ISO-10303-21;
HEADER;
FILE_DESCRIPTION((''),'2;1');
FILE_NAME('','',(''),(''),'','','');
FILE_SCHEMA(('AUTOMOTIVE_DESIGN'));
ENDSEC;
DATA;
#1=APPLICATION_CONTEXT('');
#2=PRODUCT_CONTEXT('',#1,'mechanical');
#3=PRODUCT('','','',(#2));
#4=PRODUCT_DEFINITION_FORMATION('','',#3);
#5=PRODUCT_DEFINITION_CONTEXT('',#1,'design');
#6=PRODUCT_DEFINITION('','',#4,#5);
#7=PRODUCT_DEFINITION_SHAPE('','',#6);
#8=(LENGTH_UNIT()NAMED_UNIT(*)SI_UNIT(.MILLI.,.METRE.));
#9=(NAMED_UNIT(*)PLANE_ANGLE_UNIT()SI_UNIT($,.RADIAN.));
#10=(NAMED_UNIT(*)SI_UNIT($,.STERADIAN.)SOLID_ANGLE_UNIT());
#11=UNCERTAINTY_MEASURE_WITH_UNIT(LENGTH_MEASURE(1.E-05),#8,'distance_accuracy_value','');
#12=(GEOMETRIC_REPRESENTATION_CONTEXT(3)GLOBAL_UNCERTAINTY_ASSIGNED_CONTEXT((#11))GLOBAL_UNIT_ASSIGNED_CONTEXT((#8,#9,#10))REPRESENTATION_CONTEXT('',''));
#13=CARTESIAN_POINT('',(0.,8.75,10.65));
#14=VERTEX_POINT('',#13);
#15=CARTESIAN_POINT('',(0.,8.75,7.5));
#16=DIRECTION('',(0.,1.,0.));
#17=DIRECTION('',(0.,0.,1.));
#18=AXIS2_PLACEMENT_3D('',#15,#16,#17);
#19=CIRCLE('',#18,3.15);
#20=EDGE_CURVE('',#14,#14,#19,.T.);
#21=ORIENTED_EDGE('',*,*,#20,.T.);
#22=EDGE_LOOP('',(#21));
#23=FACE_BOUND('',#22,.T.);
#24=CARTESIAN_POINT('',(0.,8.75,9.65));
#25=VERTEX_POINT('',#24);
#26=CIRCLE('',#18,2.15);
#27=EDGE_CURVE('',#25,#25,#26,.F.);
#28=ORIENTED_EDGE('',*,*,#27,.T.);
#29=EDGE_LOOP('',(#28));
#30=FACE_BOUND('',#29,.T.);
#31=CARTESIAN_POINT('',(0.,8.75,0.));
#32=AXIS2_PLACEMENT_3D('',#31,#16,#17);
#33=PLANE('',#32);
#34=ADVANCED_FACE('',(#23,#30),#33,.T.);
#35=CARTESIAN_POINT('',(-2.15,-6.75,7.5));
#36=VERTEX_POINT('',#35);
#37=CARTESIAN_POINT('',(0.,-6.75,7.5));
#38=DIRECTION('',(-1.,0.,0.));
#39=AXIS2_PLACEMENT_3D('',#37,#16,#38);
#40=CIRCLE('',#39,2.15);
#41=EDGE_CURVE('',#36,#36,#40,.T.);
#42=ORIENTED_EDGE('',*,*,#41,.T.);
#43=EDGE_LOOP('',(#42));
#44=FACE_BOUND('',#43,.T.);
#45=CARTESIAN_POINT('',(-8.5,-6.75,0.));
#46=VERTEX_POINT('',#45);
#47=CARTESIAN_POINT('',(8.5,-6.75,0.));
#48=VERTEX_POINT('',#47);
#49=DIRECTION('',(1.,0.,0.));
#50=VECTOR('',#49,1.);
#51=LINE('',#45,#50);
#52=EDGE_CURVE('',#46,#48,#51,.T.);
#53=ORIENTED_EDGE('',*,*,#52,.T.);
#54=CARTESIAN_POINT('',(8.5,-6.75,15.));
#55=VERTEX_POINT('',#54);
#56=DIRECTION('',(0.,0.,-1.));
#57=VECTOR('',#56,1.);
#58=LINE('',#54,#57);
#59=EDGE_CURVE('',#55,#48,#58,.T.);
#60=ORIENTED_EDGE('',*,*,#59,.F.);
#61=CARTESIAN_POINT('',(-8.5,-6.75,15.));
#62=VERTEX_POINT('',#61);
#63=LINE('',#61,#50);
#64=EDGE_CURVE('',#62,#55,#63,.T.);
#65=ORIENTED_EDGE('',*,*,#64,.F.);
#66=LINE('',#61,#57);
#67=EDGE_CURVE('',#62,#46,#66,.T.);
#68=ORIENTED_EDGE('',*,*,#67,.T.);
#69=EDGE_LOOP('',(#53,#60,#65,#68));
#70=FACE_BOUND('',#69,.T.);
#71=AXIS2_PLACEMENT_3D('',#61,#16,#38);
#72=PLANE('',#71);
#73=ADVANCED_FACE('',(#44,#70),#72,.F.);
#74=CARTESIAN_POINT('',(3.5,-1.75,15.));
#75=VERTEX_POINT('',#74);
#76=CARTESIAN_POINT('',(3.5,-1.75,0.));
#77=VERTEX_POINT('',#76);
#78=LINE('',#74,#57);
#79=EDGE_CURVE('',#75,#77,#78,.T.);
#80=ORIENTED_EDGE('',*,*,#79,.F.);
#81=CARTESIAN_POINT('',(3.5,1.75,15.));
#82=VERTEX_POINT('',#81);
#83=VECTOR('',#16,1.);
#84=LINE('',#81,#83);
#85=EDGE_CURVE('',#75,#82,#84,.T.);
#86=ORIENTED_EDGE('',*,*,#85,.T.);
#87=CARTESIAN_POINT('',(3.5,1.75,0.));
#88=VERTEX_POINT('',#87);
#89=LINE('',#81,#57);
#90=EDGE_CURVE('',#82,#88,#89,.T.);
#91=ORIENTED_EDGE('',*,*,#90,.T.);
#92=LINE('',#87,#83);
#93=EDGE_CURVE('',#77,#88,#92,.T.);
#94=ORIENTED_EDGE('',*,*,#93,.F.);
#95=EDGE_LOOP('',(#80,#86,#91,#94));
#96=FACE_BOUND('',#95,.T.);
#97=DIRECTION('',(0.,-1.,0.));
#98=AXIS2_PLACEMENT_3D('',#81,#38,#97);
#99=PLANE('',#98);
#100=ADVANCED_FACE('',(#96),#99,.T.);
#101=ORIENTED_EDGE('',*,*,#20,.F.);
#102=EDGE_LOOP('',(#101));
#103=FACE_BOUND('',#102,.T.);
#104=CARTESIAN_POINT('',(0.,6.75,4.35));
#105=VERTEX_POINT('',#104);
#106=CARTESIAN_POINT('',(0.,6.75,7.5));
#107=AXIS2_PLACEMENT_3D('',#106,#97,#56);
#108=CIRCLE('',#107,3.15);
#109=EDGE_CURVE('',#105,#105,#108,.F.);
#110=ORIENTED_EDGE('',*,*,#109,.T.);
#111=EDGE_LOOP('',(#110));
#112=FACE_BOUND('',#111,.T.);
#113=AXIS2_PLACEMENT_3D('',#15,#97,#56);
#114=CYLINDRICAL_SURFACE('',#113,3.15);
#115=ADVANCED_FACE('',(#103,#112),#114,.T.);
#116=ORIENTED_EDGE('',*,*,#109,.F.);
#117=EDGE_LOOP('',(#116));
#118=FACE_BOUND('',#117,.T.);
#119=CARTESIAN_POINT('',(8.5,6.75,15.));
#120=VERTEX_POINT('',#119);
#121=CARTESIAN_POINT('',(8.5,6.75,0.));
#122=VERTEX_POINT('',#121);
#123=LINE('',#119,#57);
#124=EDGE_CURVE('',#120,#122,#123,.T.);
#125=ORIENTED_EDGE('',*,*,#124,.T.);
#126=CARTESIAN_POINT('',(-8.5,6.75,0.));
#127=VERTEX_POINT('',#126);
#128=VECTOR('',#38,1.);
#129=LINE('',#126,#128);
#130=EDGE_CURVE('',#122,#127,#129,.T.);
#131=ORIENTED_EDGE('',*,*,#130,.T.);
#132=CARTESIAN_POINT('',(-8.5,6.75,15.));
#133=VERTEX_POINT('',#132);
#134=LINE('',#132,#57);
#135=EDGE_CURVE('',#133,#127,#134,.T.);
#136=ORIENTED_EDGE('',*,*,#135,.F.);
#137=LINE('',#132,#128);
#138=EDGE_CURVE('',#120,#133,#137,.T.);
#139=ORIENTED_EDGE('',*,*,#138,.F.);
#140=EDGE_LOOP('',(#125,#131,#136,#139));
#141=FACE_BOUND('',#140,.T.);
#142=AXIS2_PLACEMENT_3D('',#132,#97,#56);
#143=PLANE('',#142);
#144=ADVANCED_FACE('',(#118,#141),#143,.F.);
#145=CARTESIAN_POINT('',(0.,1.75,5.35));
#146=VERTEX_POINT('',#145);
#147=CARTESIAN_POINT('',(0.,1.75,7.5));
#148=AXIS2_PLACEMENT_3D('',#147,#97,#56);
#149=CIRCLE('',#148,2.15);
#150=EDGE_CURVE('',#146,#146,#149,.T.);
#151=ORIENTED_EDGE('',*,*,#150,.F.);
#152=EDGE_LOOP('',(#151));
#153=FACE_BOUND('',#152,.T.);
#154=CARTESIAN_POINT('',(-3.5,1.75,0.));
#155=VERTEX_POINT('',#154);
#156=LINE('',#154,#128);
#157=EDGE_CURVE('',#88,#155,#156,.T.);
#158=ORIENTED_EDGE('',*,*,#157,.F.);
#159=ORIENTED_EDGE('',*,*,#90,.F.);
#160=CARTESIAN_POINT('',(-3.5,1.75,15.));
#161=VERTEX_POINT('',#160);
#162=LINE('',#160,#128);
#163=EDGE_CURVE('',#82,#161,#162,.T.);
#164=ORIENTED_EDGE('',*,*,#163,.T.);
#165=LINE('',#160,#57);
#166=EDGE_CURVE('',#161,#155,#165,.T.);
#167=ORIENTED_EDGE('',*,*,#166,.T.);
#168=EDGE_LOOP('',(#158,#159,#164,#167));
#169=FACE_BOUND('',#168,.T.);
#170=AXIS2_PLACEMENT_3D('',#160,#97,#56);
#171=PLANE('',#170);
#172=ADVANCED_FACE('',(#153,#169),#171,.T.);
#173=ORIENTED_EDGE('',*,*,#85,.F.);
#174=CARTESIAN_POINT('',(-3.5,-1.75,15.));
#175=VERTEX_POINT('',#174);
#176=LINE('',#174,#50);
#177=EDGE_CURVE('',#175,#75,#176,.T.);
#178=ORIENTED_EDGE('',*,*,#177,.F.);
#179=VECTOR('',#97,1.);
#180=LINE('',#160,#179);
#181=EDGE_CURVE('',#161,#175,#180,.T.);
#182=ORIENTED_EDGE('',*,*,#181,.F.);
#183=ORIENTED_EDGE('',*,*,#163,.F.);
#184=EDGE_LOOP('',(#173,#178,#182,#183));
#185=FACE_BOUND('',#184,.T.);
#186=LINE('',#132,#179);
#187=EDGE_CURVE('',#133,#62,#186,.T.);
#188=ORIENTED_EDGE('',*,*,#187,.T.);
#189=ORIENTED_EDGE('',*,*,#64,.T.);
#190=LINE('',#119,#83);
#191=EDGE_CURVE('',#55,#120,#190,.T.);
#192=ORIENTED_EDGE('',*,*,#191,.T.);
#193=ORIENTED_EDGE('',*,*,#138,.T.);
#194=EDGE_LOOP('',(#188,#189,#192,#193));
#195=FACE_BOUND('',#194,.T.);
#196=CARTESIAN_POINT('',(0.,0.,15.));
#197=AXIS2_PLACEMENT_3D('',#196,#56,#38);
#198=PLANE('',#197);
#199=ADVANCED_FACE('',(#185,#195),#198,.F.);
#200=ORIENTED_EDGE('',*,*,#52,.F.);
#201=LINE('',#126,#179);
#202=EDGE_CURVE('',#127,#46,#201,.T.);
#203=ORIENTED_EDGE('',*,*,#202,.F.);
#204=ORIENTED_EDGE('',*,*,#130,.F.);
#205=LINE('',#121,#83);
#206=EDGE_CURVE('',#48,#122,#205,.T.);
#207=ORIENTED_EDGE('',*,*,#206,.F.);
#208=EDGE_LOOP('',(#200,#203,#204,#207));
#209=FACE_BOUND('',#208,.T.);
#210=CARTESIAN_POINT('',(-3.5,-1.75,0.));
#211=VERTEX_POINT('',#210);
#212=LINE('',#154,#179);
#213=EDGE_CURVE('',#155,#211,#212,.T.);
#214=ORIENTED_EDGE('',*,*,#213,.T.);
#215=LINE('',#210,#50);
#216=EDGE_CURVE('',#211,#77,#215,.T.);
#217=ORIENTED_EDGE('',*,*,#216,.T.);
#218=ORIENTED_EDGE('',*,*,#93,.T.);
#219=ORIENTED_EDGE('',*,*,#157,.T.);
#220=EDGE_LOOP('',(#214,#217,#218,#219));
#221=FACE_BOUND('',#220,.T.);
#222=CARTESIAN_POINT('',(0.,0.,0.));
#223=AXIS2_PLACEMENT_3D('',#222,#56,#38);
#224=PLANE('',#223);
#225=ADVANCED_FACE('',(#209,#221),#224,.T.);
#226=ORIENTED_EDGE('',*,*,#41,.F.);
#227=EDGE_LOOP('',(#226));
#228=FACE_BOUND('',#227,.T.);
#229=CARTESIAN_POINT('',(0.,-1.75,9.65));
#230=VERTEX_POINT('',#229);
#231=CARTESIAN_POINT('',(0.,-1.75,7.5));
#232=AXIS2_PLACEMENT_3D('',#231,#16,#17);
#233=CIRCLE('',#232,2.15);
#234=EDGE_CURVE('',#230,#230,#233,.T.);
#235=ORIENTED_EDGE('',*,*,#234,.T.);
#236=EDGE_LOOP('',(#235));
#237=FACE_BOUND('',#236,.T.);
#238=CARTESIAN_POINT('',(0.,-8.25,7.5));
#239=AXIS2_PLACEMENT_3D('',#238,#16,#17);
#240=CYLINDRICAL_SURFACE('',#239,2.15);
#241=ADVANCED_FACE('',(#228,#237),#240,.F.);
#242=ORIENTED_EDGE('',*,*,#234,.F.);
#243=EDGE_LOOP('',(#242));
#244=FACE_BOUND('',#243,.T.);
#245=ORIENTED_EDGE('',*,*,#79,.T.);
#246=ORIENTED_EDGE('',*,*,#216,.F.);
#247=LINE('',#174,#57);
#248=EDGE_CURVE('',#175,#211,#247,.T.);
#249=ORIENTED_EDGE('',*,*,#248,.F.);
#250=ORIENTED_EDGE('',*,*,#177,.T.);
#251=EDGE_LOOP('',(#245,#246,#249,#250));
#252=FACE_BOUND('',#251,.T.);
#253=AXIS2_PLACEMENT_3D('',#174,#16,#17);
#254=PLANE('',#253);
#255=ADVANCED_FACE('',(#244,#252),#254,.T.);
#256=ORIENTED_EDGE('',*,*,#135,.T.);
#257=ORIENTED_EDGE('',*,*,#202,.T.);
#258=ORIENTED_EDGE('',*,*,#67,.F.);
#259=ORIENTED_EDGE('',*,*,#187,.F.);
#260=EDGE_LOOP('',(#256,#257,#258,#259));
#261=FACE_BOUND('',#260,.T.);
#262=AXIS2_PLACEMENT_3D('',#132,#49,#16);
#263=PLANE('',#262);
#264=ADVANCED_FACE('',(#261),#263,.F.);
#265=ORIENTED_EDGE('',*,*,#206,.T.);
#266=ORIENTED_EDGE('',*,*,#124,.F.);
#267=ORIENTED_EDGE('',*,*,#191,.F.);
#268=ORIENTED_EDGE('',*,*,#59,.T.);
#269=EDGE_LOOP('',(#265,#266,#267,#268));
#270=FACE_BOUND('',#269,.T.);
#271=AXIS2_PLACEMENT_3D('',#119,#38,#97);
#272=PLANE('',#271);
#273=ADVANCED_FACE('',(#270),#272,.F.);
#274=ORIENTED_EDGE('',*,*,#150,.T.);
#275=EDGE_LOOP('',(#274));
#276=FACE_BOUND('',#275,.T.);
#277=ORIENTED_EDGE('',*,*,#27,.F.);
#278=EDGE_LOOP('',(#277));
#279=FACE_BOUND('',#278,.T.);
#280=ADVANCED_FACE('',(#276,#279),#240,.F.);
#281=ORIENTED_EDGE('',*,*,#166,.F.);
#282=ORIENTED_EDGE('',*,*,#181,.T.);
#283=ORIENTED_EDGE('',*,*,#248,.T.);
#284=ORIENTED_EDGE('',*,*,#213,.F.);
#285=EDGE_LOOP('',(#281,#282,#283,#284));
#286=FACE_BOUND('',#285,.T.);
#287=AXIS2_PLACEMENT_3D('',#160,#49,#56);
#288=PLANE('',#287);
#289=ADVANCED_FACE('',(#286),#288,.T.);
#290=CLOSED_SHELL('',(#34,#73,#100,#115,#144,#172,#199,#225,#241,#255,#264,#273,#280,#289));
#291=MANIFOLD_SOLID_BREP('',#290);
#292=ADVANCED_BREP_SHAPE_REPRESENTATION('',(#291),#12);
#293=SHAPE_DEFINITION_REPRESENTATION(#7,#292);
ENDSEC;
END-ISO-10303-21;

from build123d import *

# Parameters (mm, degrees)
SKETCH2_W           = 17
SKETCH2_H           = 13.5
SKETCH2_W_2         = 7
SKETCH2_H_2         = 3.5
BOSS_EXTRUDE1_DEPTH = 15
SKETCH3_R           = 2.15
CUT_EXTRUDE1_DEPTH  = 15
BOSS_EXTRUDE2_START = 2
SKETCH4_R           = 3.15
SKETCH4_R_2         = 2.15
BOSS_EXTRUDE2_DEPTH = 2


with BuildPart() as part:
    # Sketch2 → Boss-Extrude1 (new body)
    with BuildSketch(Plane.XY):
        Rectangle(SKETCH2_W, SKETCH2_H)
        Rectangle(SKETCH2_W_2, SKETCH2_H_2, mode=Mode.SUBTRACT)
    extrude(amount=BOSS_EXTRUDE1_DEPTH)

    # Sketch3 → Cut-Extrude1 (cut)
    with BuildSketch(Plane(origin=(0, 6.75, 0), x_dir=(1, 0, 0), z_dir=(0, 1, 0))):
        with Locations(Location((0, -7.5, 0), (0, 0, 270))):
            Circle(SKETCH3_R)
    extrude(amount=-CUT_EXTRUDE1_DEPTH, mode=Mode.SUBTRACT)

    # Sketch4 → Boss-Extrude2 (add)
    with BuildSketch(Plane(origin=(0, 6.75, 0), x_dir=(1, 0, 0), z_dir=(0, 1, 0)).offset(BOSS_EXTRUDE2_START)):
        with Locations(Location((0, -7.5, 0), (0, 0, 90))):
            Circle(SKETCH4_R)
        with Locations(Location((0, -7.5, 0), (0, 0, 270))):
            Circle(SKETCH4_R_2, mode=Mode.SUBTRACT)
    extrude(amount=-BOSS_EXTRUDE2_DEPTH)


solid = part.part
